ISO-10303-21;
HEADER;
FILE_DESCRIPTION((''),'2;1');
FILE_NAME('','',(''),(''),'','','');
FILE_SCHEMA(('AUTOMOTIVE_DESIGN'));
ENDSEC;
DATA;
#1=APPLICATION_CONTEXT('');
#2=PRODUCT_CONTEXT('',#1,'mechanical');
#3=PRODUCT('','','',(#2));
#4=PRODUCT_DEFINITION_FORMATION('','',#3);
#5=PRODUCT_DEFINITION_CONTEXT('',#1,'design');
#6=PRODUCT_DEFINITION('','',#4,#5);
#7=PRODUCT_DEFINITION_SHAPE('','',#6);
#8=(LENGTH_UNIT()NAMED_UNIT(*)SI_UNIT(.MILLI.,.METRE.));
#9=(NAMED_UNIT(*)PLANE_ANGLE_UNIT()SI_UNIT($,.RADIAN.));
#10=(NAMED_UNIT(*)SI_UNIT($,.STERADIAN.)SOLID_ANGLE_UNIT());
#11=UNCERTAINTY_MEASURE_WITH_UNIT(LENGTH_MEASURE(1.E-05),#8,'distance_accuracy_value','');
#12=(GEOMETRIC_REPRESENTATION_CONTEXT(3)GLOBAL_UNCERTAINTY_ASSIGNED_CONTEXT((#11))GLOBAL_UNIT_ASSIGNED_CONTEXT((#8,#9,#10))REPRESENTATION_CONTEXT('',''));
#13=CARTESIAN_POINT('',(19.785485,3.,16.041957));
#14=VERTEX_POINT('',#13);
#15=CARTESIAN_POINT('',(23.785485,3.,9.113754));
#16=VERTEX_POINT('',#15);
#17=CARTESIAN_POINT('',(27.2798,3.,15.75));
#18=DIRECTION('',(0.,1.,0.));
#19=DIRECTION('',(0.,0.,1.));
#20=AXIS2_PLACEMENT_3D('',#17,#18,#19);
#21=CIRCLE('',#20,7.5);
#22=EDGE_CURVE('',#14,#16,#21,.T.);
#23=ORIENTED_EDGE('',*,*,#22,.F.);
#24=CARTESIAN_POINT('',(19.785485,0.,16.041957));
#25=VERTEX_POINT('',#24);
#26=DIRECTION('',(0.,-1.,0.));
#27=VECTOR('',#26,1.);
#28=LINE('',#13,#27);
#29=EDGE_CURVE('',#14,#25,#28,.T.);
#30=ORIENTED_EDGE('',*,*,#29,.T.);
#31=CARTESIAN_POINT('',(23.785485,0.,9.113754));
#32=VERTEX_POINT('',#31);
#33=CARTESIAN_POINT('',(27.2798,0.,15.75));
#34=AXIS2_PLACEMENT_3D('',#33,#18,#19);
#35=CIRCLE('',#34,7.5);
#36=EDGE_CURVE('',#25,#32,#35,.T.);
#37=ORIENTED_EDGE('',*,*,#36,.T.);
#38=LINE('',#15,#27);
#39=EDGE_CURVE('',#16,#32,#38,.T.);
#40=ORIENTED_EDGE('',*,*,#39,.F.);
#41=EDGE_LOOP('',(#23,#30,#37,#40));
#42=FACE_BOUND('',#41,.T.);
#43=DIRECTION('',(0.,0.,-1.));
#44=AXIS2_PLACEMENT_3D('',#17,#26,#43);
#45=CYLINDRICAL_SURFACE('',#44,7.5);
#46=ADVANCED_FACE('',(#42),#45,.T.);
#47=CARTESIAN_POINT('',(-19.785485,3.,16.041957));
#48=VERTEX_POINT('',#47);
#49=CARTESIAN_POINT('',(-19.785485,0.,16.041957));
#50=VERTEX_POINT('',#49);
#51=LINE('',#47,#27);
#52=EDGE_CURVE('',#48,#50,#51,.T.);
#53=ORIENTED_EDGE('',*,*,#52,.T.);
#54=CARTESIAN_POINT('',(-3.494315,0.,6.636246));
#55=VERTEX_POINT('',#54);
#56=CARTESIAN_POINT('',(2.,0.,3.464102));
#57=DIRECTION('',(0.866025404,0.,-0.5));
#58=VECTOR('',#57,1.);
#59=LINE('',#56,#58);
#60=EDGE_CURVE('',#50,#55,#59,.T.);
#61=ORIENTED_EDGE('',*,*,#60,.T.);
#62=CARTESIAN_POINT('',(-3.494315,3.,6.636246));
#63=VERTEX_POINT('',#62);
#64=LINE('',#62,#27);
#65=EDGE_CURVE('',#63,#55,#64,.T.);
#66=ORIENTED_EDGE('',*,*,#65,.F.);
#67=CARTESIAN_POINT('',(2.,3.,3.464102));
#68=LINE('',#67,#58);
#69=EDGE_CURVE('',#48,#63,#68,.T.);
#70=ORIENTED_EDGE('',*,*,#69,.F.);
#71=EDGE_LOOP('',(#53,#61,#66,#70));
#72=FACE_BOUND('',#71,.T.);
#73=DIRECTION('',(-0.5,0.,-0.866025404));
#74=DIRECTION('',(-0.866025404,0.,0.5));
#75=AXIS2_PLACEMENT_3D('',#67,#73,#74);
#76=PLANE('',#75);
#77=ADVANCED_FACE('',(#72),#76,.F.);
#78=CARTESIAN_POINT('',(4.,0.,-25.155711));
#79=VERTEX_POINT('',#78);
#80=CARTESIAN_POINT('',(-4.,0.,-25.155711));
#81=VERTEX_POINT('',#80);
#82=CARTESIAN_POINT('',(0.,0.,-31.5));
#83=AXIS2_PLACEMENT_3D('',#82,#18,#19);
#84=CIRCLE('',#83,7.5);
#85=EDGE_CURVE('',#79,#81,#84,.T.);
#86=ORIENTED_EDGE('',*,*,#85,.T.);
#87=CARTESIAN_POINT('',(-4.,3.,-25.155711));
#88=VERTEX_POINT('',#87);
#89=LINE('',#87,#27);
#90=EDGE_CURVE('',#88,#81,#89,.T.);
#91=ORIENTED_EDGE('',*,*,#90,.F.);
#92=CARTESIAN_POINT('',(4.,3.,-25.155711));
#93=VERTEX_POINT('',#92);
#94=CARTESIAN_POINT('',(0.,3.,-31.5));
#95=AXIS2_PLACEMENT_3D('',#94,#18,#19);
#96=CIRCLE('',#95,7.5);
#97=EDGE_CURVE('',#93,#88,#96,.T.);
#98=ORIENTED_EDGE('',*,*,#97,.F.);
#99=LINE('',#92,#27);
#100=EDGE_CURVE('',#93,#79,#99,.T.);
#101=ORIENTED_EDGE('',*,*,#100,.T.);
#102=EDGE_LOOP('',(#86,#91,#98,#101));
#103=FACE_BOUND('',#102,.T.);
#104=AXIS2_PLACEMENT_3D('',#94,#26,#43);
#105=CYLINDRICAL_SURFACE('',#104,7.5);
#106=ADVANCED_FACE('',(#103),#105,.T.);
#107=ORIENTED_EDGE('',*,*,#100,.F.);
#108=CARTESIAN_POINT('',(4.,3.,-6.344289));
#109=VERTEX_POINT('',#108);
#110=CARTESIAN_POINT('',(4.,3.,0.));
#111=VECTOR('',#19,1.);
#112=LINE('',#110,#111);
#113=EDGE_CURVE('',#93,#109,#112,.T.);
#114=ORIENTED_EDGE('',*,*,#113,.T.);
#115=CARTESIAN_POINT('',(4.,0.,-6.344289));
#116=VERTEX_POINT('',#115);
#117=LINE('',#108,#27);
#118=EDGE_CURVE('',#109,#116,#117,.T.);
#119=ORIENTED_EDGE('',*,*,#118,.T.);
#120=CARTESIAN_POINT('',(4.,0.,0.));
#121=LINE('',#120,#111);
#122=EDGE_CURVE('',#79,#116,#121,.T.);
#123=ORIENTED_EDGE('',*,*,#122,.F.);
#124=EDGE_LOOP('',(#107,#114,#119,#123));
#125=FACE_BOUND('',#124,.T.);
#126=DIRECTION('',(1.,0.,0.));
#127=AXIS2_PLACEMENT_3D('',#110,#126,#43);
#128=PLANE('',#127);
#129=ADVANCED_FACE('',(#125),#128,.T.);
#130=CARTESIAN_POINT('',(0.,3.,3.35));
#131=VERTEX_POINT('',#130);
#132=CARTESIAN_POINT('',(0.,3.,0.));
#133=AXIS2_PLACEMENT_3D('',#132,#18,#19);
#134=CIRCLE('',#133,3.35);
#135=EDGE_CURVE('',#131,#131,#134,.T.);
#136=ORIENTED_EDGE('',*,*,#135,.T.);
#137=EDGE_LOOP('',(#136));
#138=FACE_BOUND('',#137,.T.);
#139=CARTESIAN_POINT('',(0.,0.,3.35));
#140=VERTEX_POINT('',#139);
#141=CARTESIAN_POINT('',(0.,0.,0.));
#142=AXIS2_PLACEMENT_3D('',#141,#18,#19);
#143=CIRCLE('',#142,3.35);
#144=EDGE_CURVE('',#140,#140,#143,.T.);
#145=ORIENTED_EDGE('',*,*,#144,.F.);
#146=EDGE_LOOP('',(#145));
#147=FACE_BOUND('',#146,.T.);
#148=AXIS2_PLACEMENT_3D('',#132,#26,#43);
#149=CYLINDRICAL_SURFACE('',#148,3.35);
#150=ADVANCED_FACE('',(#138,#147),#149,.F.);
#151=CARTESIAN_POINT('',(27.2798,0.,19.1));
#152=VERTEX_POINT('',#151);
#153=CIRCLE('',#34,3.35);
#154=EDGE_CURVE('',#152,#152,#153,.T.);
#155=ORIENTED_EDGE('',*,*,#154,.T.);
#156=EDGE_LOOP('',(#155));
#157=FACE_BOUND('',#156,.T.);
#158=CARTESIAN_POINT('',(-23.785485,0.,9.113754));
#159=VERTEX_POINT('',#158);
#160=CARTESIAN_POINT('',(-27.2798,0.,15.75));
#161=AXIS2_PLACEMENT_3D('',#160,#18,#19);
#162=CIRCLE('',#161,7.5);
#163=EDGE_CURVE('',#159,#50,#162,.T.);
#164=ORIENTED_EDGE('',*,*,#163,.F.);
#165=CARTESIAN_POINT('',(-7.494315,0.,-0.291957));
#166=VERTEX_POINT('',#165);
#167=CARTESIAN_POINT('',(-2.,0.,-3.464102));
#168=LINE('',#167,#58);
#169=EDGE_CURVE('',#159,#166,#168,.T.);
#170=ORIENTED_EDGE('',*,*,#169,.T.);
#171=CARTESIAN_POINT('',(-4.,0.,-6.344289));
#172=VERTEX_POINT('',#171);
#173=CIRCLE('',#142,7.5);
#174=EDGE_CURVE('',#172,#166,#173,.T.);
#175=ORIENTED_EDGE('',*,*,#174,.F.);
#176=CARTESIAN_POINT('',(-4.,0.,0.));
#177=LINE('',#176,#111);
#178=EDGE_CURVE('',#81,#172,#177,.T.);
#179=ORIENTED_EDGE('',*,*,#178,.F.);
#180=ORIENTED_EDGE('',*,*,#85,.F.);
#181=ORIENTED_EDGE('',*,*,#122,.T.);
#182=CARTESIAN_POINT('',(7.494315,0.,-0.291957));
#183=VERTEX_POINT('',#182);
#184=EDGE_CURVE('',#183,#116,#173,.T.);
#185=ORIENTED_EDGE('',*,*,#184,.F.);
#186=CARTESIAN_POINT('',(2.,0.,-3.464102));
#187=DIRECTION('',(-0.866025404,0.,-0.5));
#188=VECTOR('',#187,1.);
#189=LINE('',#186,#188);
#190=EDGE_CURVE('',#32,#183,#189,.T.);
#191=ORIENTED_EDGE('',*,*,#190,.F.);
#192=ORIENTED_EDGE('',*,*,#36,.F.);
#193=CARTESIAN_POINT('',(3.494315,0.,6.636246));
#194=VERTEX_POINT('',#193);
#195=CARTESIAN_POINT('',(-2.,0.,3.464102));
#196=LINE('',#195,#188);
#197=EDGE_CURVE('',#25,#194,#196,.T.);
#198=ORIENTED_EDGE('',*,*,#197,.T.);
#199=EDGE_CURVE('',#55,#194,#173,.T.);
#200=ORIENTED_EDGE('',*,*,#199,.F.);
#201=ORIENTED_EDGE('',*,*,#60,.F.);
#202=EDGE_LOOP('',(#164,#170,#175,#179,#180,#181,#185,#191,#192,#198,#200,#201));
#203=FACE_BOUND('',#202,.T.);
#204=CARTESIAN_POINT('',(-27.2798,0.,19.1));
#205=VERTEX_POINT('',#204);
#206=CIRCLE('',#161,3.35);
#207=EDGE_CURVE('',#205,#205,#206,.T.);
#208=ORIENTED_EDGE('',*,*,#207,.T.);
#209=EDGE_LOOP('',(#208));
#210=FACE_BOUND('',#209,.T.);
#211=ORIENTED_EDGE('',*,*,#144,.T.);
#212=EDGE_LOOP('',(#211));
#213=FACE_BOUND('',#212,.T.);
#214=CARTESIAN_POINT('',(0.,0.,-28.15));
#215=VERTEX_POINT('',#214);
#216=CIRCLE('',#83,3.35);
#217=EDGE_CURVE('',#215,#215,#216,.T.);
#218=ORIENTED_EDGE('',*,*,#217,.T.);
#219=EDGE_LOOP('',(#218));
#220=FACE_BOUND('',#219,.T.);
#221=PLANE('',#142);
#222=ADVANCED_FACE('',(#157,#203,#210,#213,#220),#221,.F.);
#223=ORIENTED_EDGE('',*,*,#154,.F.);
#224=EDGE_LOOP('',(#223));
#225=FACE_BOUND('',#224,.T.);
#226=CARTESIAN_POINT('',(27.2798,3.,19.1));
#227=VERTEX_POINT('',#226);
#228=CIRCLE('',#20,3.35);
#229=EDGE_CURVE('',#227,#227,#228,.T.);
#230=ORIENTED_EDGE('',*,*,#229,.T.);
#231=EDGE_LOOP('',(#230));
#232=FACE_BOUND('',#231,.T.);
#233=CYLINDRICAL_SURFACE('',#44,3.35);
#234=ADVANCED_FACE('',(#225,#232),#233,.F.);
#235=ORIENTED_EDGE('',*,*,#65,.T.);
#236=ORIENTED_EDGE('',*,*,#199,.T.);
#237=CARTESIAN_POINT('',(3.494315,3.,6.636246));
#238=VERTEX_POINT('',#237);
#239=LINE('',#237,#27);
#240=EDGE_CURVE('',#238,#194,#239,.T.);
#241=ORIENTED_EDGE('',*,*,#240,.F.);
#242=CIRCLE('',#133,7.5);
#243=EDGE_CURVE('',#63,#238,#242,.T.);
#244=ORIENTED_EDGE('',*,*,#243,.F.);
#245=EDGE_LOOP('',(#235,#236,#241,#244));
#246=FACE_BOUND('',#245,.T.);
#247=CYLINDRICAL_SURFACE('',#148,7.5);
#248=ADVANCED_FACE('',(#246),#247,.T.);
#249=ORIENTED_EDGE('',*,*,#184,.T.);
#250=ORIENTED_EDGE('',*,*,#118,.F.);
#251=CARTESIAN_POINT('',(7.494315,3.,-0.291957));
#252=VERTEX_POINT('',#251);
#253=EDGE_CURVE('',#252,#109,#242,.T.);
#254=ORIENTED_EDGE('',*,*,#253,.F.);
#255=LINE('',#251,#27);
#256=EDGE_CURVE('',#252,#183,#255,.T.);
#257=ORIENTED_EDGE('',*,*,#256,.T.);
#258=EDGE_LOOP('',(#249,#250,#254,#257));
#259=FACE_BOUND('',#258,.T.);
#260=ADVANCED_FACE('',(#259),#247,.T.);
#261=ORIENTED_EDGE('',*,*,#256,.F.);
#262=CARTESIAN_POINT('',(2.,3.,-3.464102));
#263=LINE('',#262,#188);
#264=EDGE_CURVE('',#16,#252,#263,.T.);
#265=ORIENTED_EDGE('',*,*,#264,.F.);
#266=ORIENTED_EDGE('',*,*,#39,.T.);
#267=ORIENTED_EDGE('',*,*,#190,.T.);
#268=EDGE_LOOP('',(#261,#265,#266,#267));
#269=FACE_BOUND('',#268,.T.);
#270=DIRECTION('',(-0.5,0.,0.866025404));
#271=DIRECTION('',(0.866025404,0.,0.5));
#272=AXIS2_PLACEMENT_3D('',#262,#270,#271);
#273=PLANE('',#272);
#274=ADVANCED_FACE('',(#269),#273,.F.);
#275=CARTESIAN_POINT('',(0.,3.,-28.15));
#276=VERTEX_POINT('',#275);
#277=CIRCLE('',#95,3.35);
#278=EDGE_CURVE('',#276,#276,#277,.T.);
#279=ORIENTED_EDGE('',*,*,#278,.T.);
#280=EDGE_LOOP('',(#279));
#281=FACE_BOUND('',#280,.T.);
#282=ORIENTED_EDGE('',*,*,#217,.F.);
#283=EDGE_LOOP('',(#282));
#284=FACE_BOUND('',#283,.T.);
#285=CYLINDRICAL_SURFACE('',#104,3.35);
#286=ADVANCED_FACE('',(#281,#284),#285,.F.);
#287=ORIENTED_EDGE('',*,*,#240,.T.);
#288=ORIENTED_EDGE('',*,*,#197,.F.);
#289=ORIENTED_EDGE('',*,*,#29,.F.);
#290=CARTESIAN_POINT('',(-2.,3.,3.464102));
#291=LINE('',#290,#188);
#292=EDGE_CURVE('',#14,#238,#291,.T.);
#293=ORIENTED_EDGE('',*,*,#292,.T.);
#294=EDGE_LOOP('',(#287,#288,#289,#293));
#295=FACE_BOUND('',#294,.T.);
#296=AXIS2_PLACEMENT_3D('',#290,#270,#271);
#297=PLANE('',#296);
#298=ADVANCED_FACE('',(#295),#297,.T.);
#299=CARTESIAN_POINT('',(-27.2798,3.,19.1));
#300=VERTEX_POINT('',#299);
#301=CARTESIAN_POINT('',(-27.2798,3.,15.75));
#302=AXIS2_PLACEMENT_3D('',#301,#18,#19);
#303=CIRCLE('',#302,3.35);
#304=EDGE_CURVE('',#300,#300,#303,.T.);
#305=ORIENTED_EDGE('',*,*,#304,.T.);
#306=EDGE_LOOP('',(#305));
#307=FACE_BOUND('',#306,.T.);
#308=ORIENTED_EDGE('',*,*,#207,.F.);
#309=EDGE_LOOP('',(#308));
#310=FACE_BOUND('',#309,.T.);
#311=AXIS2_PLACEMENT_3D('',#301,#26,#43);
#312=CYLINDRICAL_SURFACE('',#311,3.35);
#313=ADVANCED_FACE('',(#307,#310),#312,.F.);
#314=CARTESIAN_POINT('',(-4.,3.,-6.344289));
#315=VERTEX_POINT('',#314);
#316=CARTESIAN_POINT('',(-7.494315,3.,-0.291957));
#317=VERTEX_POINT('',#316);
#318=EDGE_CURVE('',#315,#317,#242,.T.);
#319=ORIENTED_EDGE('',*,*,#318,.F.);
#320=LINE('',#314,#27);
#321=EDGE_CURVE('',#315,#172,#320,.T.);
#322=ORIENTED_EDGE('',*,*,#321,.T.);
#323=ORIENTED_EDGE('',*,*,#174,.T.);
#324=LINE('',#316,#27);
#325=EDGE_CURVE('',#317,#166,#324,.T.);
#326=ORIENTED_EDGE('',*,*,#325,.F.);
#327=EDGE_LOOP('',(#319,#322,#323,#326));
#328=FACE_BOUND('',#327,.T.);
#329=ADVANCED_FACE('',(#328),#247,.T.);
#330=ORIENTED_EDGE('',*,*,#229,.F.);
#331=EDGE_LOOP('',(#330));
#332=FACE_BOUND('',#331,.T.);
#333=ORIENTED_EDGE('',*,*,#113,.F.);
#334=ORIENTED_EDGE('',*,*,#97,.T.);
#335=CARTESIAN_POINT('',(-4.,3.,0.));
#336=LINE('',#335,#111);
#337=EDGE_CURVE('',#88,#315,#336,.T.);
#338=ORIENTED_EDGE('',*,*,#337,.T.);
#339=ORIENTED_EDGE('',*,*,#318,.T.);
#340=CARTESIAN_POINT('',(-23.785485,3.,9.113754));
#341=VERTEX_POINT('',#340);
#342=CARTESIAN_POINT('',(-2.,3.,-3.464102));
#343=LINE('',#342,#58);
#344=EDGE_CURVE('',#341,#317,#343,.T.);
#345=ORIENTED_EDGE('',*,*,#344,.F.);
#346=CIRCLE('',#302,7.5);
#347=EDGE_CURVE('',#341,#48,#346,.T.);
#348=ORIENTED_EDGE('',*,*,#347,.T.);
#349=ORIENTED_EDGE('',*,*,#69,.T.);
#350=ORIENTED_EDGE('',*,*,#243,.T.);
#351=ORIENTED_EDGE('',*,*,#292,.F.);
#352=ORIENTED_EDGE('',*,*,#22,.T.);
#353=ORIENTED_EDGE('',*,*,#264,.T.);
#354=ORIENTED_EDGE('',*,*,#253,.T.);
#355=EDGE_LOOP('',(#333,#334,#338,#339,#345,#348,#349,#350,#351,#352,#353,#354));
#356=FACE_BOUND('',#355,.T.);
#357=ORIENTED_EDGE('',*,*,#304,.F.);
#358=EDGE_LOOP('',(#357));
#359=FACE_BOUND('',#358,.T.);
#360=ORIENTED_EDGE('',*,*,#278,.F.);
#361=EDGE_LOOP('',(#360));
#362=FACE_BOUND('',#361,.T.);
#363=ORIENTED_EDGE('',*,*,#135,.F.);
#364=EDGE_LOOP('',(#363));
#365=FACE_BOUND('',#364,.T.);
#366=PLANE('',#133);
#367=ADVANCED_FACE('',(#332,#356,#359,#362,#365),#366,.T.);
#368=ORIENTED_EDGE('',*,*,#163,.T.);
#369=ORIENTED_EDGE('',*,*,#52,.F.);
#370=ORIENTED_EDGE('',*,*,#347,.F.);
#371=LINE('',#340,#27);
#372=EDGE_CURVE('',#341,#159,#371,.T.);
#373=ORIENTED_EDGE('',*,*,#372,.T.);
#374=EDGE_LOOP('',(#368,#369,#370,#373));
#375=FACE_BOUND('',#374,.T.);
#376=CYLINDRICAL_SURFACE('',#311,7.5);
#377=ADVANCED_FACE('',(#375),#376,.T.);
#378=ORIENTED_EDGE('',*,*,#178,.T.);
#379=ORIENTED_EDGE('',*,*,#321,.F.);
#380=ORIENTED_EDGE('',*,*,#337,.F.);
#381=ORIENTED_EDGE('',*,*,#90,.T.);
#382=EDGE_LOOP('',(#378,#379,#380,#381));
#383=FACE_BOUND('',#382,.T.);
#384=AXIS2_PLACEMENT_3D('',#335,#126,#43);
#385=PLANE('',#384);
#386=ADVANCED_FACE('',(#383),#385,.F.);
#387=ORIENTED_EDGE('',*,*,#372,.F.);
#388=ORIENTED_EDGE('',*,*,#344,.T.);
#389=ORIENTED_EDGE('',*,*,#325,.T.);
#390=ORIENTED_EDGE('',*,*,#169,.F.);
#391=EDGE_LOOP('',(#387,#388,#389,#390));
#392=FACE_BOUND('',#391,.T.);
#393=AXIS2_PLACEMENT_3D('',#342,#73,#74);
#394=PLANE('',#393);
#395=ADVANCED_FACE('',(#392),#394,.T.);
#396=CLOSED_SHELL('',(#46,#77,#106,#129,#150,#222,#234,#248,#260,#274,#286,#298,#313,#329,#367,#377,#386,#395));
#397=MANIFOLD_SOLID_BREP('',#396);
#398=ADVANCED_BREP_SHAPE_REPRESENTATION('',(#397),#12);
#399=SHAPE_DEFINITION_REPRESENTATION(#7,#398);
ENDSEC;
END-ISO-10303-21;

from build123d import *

# Parameters (mm, degrees)
SKETCH1_R           = 3.35
BOSS_EXTRUDE1_DEPTH = 3


with BuildPart() as part:
    # Sketch1 → Boss-Extrude1 (new body)
    with BuildSketch(Plane(origin=(0, 0, 0), x_dir=(1, 0, 0), z_dir=(0, 1, 0))):
        with BuildLine():
            ThreePointArc((4, 25.15571123), (0, 39), (-4, 25.15571123))
            Line((-4, 25.15571123), (-4, 6.34428877))
            ThreePointArc((-4, 6.34428877), (-6.495190528, 3.75), (-7.494315244, 0.29195723))
            Line((-7.494315244, 0.29195723), (-23.785484975, -9.113754))
            ThreePointArc((-23.785484975, -9.113754), (-33.774990748, -19.5), (-19.785484975, -16.04195723))
            Line((-19.785484975, -16.04195723), (-3.494315244, -6.636246))
            ThreePointArc((-3.494315244, -6.636246), (0, -7.5), (3.494315244, -6.636246))
            Line((3.494315244, -6.636246), (19.785484975, -16.04195723))
            ThreePointArc((19.785484975, -16.04195723), (33.774990748, -19.5), (23.785484975, -9.113754))
            Line((23.785484975, -9.113754), (7.494315244, 0.29195723))
            ThreePointArc((7.494315244, 0.29195723), (6.495190528, 3.75), (4, 6.34428877))
            Line((4, 6.34428877), (4, 25.15571123))
        make_face()
        with Locations((0, 31.5)):
            Circle(SKETCH1_R, mode=Mode.SUBTRACT)
        Circle(SKETCH1_R, mode=Mode.SUBTRACT)
        with Locations((27.279800219, -15.75)):
            Circle(SKETCH1_R, mode=Mode.SUBTRACT)
        with Locations((-27.279800219, -15.75)):
            Circle(SKETCH1_R, mode=Mode.SUBTRACT)
    extrude(amount=BOSS_EXTRUDE1_DEPTH)


solid = part.part
